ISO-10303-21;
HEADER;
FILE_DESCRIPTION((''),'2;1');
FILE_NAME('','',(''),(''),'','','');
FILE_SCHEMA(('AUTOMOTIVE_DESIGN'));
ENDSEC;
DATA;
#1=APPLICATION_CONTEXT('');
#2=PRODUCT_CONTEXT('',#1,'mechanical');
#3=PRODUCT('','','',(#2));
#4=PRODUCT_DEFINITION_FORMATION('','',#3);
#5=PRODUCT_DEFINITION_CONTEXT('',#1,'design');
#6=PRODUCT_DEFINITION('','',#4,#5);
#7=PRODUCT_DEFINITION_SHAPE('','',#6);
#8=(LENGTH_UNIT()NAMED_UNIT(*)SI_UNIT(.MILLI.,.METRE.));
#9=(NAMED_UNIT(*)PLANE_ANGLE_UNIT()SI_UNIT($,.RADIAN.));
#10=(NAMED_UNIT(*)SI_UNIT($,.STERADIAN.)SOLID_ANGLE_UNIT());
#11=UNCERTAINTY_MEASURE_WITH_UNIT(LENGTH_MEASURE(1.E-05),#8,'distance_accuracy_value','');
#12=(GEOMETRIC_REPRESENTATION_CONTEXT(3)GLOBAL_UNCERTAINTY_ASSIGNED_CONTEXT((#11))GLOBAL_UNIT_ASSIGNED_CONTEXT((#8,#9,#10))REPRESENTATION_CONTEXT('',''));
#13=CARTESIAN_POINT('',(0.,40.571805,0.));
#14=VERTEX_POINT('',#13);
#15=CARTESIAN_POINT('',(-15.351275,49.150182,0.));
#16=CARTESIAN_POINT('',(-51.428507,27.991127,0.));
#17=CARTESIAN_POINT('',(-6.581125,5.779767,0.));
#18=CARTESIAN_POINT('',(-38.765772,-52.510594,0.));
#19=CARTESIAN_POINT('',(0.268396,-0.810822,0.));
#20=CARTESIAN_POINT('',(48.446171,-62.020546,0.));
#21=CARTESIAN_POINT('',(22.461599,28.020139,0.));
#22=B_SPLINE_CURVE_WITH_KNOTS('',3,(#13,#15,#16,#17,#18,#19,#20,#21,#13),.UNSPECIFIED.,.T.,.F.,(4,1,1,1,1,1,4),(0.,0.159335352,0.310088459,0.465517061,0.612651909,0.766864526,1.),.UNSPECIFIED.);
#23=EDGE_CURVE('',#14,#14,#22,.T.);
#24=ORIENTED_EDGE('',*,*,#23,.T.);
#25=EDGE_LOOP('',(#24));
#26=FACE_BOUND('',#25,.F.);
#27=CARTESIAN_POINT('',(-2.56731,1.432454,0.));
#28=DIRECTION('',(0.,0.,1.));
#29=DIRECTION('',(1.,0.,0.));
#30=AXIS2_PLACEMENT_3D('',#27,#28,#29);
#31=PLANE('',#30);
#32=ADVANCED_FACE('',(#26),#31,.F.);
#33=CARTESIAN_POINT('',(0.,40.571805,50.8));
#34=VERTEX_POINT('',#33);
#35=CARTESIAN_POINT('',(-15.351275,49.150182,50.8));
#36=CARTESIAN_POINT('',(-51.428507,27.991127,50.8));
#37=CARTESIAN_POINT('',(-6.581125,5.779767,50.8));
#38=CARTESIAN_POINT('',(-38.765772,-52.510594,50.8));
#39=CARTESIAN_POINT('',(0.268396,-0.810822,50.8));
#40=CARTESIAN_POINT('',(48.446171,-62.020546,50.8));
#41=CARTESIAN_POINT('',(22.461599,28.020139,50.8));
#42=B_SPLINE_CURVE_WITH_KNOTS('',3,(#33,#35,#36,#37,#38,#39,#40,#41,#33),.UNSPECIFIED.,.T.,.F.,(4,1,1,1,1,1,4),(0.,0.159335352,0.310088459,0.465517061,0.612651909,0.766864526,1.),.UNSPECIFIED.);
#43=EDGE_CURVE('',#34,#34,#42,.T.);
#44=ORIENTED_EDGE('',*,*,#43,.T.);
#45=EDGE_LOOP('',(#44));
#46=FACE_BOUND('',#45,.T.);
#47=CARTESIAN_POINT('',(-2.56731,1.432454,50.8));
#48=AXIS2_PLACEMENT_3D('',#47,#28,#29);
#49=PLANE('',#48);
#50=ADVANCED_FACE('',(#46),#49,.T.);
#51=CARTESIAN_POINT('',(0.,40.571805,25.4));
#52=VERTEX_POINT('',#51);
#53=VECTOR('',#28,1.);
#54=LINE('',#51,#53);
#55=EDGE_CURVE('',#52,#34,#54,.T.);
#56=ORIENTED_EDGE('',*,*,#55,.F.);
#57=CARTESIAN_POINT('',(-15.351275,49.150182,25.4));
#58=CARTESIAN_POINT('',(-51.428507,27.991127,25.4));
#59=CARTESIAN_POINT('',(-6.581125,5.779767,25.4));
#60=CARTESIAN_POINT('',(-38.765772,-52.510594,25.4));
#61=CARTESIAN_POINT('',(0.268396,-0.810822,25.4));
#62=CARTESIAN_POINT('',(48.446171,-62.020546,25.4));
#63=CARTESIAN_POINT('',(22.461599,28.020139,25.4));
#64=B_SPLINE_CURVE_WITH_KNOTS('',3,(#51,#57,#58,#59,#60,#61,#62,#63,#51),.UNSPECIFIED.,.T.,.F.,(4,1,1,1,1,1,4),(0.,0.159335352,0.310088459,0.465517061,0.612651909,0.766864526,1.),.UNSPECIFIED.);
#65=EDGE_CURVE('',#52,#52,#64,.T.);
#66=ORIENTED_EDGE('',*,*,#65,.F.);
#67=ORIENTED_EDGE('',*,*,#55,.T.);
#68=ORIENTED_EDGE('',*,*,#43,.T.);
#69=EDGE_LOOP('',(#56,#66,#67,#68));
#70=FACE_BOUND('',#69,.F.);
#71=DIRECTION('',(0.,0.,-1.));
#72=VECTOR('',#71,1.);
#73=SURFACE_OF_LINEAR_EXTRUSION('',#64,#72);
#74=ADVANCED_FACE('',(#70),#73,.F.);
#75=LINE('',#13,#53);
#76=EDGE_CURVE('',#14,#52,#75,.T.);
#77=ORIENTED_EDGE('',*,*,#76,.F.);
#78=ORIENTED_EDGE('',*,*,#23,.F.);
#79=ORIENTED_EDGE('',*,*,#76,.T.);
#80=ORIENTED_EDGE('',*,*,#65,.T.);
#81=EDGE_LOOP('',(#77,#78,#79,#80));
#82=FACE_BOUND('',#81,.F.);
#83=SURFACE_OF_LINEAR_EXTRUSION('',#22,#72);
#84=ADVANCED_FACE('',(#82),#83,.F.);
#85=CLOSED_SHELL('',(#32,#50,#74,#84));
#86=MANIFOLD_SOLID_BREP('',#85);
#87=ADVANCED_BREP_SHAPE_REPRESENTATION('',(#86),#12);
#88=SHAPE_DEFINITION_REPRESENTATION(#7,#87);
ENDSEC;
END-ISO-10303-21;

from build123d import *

# Parameters (mm, degrees)
F1_DEPTH = 25.4
F2_DEPTH = 25.4


with BuildPart() as f1:
    # F0 (on Top) → F1 (new body)
    with BuildSketch(Plane.XY):
        with BuildLine():
            add(Edge.make_bspline(
                [(0, 40.5718050897), (-15.3512749081, 49.1501824172), (-51.4285066616, 27.9911265349), (-6.5811252718, 5.7797674837), (-38.7657724105, -52.5105937794), (0.268395961, -0.8108217929), (48.4461705243, -62.0205460481), (22.461598773, 28.0201394589), (0, 40.5718050897)],
                knots=[0, 0, 0, 0, 0.1593353524, 0.3100884593, 0.4655170612, 0.6126519087, 0.7668645257, 1, 1, 1, 1], degree=3))
        make_face()
    extrude(amount=F1_DEPTH)

    # F2 (add): a face of the model
    f2_faces = [f1.faces().sort_by_distance(p)[0] for p in [
        (-1.0732507369, 6.9032473887, 25.4),
    ]]
    extrude(f2_faces, amount=F2_DEPTH)


solid = f1.part
